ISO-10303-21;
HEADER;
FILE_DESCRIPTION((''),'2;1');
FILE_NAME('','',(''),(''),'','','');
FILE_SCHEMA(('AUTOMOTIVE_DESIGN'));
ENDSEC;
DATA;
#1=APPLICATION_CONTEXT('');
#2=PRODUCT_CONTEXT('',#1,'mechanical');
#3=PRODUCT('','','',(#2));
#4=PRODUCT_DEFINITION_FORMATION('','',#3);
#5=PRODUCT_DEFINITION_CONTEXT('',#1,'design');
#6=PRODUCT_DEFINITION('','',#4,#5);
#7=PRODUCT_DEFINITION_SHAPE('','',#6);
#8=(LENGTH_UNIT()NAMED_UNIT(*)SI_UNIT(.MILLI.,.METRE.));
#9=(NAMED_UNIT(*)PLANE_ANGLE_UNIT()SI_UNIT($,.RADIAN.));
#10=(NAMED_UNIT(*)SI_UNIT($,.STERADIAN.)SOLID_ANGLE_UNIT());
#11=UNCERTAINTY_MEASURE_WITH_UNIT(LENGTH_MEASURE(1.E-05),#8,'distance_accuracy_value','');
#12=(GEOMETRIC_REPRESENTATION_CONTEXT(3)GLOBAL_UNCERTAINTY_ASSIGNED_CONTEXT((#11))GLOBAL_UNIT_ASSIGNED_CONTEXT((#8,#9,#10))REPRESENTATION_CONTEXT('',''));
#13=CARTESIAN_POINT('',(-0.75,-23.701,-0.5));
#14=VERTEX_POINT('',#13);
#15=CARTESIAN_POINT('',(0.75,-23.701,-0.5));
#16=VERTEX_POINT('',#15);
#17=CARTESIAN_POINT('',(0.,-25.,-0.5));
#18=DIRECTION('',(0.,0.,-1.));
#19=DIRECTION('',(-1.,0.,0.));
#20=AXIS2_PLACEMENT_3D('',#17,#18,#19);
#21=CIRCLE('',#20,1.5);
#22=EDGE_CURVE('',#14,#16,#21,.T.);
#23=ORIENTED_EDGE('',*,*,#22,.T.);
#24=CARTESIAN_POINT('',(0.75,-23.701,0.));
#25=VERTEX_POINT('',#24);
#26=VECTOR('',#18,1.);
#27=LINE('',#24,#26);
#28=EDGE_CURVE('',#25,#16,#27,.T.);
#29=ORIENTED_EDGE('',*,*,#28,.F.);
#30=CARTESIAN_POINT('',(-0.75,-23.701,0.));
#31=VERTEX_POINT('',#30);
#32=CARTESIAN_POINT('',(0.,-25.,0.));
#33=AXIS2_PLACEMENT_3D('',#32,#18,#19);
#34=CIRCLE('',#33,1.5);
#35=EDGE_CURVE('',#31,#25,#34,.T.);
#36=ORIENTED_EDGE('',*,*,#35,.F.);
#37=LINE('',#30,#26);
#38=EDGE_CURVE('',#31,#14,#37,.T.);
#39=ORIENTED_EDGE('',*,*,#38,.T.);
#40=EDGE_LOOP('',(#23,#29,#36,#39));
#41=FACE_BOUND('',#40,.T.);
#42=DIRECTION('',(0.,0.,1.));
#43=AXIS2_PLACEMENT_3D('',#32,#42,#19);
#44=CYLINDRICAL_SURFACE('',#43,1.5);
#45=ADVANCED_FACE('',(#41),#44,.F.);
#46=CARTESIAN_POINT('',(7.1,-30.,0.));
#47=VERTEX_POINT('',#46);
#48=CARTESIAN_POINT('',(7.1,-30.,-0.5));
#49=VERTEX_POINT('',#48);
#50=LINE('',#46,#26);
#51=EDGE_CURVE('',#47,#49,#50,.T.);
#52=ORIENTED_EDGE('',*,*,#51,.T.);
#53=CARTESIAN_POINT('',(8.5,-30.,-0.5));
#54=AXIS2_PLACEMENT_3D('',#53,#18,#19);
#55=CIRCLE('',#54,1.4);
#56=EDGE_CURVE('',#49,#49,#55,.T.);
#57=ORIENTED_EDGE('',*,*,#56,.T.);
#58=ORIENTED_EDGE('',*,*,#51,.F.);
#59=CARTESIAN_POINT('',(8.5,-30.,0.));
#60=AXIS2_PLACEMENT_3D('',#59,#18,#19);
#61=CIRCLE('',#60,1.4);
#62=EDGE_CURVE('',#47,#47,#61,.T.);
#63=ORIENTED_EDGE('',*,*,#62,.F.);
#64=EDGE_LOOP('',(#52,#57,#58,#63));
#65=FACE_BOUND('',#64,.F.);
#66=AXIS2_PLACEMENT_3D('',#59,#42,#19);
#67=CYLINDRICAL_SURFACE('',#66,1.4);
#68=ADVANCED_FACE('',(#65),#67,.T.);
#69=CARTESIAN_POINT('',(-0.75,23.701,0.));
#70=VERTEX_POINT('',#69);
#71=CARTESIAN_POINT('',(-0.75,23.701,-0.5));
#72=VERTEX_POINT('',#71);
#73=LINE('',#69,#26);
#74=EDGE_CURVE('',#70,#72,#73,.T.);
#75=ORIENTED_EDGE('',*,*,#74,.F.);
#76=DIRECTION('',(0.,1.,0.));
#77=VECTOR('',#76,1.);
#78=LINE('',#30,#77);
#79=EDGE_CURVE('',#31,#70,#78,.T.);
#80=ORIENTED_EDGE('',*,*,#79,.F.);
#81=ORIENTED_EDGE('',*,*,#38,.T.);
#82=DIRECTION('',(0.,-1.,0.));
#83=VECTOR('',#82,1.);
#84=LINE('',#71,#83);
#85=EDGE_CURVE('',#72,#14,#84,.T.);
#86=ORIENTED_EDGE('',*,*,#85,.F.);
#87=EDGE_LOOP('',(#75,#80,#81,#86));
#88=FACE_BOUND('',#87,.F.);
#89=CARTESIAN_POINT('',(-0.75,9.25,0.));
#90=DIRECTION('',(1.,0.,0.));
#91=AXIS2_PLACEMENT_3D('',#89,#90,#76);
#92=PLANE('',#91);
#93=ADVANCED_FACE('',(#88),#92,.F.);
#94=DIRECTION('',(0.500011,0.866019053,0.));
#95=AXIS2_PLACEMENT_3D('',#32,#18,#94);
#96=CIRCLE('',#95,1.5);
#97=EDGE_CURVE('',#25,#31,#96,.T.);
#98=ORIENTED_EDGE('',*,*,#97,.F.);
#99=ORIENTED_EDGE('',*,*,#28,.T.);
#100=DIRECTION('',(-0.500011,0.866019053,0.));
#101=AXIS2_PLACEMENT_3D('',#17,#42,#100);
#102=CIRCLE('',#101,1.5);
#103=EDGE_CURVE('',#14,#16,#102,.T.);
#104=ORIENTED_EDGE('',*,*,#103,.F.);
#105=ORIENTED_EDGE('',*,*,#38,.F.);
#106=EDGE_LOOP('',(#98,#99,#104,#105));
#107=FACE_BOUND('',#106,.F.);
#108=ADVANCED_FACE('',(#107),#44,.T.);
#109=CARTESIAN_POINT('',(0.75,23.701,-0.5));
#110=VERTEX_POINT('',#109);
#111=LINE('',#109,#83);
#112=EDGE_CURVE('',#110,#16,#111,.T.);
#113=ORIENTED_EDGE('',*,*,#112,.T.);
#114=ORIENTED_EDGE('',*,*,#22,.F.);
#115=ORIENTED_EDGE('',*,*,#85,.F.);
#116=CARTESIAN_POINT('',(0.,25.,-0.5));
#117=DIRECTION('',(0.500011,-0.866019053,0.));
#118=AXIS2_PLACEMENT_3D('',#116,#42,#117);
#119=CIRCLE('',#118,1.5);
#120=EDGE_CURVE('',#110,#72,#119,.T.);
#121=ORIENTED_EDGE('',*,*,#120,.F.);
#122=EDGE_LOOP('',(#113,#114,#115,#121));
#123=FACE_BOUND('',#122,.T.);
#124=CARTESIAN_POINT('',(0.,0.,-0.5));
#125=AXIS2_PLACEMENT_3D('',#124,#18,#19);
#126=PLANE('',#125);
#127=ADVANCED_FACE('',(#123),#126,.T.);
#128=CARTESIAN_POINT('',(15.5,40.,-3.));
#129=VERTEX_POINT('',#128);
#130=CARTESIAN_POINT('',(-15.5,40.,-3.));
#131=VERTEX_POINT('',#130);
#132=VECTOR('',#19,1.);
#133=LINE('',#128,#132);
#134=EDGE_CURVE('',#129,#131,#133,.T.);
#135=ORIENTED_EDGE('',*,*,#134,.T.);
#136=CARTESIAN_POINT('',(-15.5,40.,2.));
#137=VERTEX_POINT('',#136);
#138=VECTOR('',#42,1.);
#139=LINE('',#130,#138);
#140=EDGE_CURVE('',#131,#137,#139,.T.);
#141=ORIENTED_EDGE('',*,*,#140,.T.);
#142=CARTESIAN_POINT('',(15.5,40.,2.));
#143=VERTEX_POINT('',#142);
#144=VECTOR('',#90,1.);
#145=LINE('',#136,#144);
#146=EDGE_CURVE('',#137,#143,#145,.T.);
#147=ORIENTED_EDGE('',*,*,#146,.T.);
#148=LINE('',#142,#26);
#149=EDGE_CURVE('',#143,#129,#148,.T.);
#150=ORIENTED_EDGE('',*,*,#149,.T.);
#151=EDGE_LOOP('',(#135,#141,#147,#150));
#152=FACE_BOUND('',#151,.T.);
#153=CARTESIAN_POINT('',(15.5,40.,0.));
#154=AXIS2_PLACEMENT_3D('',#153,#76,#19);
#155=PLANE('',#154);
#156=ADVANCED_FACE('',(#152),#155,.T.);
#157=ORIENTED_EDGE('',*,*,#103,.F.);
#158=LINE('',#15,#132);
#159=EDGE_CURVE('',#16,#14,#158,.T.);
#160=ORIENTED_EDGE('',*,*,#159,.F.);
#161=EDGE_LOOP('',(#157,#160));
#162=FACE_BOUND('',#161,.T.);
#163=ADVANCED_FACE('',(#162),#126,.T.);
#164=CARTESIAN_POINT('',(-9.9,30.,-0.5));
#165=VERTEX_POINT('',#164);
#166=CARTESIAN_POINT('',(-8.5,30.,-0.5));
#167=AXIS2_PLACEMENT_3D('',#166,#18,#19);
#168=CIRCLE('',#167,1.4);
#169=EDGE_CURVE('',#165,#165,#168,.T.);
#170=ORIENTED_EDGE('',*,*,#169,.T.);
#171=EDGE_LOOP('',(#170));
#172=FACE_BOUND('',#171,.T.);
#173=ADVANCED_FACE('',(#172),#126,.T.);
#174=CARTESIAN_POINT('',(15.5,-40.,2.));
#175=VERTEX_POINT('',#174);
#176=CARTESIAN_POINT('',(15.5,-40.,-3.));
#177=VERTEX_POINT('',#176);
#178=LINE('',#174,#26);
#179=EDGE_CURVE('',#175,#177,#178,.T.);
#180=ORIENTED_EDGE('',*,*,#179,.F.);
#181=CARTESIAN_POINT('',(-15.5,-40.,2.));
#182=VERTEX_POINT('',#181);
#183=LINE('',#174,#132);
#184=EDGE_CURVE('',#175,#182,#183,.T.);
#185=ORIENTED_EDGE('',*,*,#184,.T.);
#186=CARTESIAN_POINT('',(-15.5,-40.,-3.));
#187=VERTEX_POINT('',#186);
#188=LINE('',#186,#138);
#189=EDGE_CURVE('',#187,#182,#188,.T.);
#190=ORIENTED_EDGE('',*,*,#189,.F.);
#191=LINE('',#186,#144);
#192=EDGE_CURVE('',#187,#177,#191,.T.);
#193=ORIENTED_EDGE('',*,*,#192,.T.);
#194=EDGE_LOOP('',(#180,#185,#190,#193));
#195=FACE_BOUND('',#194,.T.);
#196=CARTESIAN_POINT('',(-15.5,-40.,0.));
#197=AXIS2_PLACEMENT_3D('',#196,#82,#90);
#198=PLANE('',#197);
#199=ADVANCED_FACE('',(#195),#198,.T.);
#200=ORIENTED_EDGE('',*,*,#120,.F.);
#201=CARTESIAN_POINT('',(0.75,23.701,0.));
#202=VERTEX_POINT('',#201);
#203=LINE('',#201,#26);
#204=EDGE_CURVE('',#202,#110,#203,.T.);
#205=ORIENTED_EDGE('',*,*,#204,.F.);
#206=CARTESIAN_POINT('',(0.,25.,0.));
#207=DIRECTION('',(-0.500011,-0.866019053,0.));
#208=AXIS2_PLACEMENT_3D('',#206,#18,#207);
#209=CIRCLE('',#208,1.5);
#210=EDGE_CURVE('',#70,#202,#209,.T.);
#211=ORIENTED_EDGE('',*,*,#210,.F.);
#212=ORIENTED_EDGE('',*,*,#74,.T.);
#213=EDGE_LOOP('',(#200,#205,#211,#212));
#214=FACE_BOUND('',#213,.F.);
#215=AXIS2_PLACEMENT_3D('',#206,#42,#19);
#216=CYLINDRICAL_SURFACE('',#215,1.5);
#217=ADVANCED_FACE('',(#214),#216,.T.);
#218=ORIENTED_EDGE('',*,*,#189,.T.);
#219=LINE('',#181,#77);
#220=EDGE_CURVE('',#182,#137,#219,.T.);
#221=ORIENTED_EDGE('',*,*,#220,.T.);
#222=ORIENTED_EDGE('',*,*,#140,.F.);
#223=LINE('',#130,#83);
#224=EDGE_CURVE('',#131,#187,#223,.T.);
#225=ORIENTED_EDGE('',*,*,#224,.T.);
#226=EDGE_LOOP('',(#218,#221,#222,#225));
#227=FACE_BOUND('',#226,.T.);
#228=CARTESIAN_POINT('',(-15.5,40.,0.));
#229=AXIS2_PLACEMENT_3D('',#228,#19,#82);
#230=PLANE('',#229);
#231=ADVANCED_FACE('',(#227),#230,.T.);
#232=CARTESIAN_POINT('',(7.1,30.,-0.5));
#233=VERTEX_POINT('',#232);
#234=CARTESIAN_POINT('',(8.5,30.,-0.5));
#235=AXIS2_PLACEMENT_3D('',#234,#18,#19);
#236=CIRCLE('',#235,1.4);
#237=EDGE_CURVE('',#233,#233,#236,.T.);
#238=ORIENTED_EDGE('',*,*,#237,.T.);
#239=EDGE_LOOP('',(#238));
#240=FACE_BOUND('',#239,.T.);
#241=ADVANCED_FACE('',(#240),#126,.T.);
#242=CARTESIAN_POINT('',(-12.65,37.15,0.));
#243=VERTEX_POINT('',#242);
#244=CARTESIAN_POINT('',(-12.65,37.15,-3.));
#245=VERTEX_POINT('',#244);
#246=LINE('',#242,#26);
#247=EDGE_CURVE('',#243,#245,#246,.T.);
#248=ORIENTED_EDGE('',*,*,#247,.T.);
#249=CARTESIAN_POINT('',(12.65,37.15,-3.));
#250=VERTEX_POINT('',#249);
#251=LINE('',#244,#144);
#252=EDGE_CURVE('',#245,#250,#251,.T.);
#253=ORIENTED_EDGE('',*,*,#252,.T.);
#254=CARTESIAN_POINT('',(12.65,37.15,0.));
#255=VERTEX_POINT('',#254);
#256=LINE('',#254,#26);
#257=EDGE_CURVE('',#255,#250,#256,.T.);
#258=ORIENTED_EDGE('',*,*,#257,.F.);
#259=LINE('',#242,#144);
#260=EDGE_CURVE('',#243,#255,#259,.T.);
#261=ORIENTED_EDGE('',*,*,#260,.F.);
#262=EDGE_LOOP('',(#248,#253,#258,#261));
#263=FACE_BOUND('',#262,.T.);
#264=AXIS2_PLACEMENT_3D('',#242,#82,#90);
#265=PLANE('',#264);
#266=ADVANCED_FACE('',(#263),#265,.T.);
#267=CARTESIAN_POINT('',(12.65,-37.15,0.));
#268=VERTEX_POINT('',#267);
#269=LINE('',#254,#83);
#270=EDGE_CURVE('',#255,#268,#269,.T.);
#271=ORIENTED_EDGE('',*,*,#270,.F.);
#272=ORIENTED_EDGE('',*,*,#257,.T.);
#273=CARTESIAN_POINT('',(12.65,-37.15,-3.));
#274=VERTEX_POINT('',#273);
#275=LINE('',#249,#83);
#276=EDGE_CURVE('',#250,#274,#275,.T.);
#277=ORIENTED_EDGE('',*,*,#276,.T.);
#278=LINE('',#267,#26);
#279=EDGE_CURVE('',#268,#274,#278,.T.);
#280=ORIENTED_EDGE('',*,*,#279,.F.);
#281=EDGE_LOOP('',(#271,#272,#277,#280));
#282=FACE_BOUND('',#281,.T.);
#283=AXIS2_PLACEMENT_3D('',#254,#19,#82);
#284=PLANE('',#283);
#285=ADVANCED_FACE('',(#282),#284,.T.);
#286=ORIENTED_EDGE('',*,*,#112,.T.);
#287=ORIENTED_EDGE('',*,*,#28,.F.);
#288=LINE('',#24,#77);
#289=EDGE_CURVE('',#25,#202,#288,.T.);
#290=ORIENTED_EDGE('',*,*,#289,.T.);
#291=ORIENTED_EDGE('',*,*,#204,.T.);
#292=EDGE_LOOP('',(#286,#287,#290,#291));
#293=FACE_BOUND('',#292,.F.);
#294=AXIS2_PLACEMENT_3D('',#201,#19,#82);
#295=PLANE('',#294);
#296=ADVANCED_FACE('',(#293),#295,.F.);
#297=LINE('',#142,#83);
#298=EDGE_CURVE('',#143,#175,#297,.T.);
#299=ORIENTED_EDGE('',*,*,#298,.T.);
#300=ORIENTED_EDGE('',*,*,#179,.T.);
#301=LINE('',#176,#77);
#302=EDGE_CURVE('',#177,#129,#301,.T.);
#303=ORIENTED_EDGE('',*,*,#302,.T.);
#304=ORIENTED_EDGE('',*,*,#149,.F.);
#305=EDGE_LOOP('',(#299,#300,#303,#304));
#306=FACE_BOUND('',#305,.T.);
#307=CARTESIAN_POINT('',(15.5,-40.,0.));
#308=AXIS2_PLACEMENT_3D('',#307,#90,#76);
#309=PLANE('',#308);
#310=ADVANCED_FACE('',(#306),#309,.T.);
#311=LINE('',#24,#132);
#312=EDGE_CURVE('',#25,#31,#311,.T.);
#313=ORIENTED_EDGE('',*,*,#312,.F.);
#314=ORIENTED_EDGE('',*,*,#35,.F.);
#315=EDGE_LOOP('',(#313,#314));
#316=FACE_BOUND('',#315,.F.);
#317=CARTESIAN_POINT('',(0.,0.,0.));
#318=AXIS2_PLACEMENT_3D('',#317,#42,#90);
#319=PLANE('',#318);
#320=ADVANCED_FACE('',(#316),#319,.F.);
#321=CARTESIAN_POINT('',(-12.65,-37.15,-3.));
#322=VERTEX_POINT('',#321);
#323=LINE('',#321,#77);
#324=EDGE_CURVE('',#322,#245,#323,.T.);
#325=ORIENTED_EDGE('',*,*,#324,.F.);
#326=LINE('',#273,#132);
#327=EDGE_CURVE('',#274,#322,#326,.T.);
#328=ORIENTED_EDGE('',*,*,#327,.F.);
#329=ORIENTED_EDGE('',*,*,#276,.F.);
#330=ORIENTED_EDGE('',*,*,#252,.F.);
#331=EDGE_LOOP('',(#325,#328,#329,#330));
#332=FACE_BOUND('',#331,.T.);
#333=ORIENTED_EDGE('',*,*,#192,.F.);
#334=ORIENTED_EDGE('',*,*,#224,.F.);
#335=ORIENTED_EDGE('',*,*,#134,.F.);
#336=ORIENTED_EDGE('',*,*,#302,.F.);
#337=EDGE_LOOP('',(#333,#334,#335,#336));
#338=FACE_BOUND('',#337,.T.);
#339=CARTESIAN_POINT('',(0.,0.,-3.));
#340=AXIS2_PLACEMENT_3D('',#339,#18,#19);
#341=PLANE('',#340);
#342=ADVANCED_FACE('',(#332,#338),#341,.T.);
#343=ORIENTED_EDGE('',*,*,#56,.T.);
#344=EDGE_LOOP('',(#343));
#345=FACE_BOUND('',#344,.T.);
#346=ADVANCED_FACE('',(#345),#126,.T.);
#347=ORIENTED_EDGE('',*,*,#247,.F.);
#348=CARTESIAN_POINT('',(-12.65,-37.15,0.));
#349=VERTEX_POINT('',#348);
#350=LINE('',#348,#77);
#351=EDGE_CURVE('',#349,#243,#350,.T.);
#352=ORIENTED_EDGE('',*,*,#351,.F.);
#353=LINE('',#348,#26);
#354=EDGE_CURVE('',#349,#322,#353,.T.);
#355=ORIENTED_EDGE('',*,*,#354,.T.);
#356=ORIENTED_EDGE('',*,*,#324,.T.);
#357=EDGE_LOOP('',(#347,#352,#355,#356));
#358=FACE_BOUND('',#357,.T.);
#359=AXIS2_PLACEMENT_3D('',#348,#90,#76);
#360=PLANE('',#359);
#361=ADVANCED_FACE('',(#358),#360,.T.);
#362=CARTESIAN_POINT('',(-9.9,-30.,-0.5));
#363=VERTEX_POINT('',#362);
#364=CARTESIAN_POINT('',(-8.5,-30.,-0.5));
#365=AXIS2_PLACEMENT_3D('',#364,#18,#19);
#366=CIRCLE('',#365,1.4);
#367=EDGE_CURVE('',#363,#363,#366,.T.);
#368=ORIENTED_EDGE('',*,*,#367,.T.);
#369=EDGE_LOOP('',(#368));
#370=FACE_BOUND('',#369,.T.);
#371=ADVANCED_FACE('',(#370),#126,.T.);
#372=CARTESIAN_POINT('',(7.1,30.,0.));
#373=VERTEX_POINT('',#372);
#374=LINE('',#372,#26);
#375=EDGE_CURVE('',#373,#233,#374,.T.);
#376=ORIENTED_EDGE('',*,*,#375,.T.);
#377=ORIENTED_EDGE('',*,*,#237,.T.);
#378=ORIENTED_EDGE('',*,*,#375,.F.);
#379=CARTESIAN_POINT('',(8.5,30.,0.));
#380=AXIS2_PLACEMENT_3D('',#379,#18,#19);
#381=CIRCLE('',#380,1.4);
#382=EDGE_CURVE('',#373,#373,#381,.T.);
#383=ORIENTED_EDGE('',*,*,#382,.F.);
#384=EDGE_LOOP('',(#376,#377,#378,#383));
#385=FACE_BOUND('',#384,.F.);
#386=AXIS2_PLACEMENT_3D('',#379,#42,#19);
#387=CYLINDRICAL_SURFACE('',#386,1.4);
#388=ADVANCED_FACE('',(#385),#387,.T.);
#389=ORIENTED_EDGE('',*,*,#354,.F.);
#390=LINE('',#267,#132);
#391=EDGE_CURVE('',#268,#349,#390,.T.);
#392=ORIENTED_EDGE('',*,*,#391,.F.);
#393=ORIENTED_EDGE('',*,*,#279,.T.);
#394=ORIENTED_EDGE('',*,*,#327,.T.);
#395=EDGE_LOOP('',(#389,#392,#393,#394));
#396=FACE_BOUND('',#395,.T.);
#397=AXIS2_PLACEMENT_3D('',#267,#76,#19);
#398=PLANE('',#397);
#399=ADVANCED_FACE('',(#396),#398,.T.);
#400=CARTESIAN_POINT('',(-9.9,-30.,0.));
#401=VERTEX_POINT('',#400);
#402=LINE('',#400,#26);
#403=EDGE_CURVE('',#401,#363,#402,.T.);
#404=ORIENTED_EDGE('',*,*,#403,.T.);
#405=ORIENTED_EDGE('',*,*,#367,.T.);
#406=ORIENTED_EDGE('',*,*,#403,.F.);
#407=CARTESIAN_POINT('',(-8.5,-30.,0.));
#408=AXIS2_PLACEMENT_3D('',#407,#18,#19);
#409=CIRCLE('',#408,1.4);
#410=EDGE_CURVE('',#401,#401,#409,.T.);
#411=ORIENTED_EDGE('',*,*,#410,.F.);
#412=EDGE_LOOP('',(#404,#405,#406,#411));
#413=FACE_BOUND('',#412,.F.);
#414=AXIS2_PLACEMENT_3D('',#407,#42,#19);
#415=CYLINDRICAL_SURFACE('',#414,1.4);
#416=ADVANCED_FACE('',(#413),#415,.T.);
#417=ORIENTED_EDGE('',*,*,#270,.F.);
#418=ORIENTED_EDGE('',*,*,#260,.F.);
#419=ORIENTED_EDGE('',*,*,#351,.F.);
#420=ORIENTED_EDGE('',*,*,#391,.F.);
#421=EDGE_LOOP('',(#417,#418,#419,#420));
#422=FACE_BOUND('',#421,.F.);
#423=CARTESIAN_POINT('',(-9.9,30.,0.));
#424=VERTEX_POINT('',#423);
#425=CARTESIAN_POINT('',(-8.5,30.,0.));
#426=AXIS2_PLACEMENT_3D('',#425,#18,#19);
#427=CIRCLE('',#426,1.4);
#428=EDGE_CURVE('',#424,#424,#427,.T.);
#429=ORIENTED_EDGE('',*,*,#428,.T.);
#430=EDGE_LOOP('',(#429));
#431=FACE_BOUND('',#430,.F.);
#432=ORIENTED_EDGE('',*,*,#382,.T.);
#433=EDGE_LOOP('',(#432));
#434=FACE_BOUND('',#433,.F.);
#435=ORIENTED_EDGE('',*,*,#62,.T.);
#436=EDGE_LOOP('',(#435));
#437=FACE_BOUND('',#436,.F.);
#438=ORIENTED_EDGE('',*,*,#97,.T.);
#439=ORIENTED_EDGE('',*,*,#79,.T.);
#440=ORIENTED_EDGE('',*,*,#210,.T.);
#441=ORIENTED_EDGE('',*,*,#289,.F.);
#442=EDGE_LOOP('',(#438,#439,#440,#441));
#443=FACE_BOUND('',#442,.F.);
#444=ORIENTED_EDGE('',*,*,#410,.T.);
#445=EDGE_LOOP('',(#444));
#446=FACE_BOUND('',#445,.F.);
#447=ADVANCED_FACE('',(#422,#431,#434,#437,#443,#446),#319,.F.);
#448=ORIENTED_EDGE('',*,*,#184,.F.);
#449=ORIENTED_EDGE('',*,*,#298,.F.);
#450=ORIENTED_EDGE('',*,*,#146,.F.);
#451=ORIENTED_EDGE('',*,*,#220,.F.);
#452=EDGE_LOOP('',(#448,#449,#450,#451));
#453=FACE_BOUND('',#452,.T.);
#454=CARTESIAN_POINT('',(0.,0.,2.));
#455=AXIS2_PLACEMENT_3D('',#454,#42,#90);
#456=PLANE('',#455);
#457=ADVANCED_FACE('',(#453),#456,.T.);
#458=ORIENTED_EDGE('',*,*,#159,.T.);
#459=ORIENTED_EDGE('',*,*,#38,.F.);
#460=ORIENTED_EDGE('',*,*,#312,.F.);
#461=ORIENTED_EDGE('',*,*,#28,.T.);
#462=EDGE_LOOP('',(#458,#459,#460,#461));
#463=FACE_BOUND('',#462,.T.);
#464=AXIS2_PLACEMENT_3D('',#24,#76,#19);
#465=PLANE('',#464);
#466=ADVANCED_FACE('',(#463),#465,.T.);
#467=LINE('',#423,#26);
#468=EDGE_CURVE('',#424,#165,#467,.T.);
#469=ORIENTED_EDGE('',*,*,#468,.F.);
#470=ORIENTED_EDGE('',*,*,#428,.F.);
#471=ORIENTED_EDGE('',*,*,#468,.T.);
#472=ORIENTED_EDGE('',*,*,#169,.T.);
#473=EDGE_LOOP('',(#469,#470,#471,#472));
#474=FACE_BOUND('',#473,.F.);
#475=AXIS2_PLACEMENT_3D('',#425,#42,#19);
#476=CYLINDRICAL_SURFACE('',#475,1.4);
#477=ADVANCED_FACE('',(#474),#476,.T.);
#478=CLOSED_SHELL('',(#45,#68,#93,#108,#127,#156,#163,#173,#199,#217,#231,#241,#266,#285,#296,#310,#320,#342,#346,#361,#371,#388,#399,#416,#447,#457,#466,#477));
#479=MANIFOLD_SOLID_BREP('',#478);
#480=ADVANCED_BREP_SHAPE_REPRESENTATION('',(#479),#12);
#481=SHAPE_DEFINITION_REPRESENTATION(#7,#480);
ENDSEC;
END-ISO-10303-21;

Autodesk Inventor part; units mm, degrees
ref_plane "YZ Plane" through (0, 0, 0) normal (1, 0, 0) x (0, 1, 0)
ref_plane "XZ Plane" through (0, 0, 0) normal (0, 1, 0) x (-1, 0, 0)
ref_plane "Arbeitsebene1" through (0, 0, 0) normal (0, 0, 1) x (1, 0, 0)
sketch "Skizze1" plane through (0, 0, 0) normal (0, 0, 1) x (1, 0, 0)
  line L0 (12.5, -37) -> (-12.5, -37) projected
  line L1 (12.5, 37) -> (12.5, -37) projected
  line L2 (-12.5, 37) -> (12.5, 37) projected
  line L3 (-12.5, -37) -> (-12.5, 37) projected
  circle A0 centre (-8.5, -30) radius 1.4 projected
  circle A1 centre (8.5, -30) radius 1.4 projected
  circle A2 centre (8.5, 30) radius 1.4 projected
  circle A3 centre (-8.5, 30) radius 1.4 projected
  line L4 (-0.75, 23.146) -> (-0.75, -23.146) projected
  arc A4 (0.75, 23.146) -> (-0.75, 23.146) centre (0, 25) ccw projected
  line L5 (0.75, -23.146) -> (0.75, 23.146) projected
  arc A5 (-0.75, -23.146) -> (0.75, -23.146) centre (0, -25) ccw projected
  line L6 (15.5, -40) -> (-15.5, -40)
  line L7 (-15.5, -40) -> (-15.5, 40)
  line L8 (-15.5, 40) -> (15.5, 40)
  line L9 (15.5, 40) -> (15.5, -40)
  point P0 (0, 0)
  dimension "d0" = 3
extrude "Extrusion1" add sketch "Skizze1" along normal blind 2 contours L0 L3 L2 L1 | A0 | A1 | A2 | A3 | A4 L5 A5 L4 | L6 L7 L8 L9
ref_plane "Arbeitsebene2" through (-2, 9.25, -0.4) normal (0, 0, 1) x (1, 0, 0)
sketch "Skizze2" plane through (0, 0, 0) normal (0, 0, -1) x (-1, 0, 0)
  circle A0 centre (0, -25) radius 2.5 construction
  circle A1 centre (0, 25) radius 2.5 construction
  line L0 (12.5, -37) -> (12.5, 37)
  line L1 (12.5, 37) -> (-12.5, 37)
  line L2 (-12.5, 37) -> (-12.5, -37)
  line L3 (-12.5, -37) -> (12.5, -37)
  circle A2 centre (8.5, -30) radius 1.4
  circle A3 centre (-8.5, -30) radius 1.4
  circle A4 centre (-8.5, 30) radius 1.4
  circle A5 centre (8.5, 30) radius 1.4
  line L4 (0.75, -7.25) -> (0.75, -23.146) construction
  line L5 (-0.75, 7.25) -> (-0.75, 23.146) construction
  line L6 (0.75, -7.25) -> (0.75, -23.146) construction
  line L7 (-0.75, 7.25) -> (-0.75, 23.146) construction
  circle A6 centre (0, -25) radius 2.5 construction
  circle A7 centre (0, 25) radius 2.5 construction
  circle A8 centre (0, 25) radius 32.2587 construction
  circle A9 centre (0, -25) radius 2 construction
  circle A10 centre (0, 25) radius 1.5
  circle A11 centre (0, -25) radius 1.5
  line L8 (0.75, 23.701) -> (-0.75, 23.701)
  line L9 (-0.75, 23.701) -> (-0.75, -23.701)
  line L10 (-0.75, -23.701) -> (0.75, -23.701)
  line L11 (0.75, -23.701) -> (0.75, 23.701)
  line L12 (-9.25, 9.25) -> (9.25, 9.25)
  line L13 (9.25, 9.25) -> (9.25, -9.25)
  line L14 (9.25, -9.25) -> (-9.25, -9.25)
  line L15 (-9.25, -9.25) -> (-9.25, 9.25)
  point P0 (0, 0)
  point P1 (-0.75, 22.6152)
  point P2 (-0.75, -22.6152)
  point P3 (0.75, -22.6152)
  point P4 (0.75, 22.6152)
  point P5 (-0.75, -23.146)
extrude "Extrusion2" add sketch "Skizze2" along normal blind 0.5 contours A2 | A3 | A4 | A5 | A10 L8 | L8 A10 | A10 L11 L12 L9 | L12 L11 L14 L9 | L14 L11 A11 L9 | L10 A11 picked at (0.3855, -25.1784)
sketch "Skizze4" plane through (0, 0, 0) normal (0, 0, -1) x (-1, 0, 0)
  circle A0 centre (8.5, -30) radius 1.4 projected
  circle A1 centre (-8.5, 30) radius 1.4 projected
  arc A2 (0.75, 23.701) -> (-0.75, 23.701) centre (0, 25) ccw projected
  line L0 (0.75, 23.701) -> (0.75, -23.701) projected
  arc A3 (-0.75, -23.701) -> (0.75, -23.701) centre (0, -25) ccw projected
  line L1 (-0.75, -23.701) -> (-0.75, 23.701) projected
  circle A4 centre (-8.5, -30) radius 1.4 projected
  circle A5 centre (8.5, 30) radius 1.4 projected
  line L2 (-15.5, 40) -> (15.5, 40) projected
  line L3 (-15.5, -40) -> (-15.5, 40) projected
  line L4 (15.5, -40) -> (-15.5, -40) projected
  line L5 (15.5, 40) -> (15.5, -40) projected
  line L6 (12.65, 37.15) -> (-12.65, 37.15)
  line L7 (-12.65, 37.15) -> (-12.65, -37.15)
  line L8 (-12.65, -37.15) -> (12.65, -37.15)
  line L9 (12.65, -37.15) -> (12.65, 37.15)
  point P0 (0, 0)
  dimension "d11" = 2.85
extrude "Extrusion4" add sketch "Skizze4" along normal blind 3 contours L2 L5 L4 L3
properties part number "40_microfluidic_chip_lightsheet_layer1_negative_mould_upper_v0"
